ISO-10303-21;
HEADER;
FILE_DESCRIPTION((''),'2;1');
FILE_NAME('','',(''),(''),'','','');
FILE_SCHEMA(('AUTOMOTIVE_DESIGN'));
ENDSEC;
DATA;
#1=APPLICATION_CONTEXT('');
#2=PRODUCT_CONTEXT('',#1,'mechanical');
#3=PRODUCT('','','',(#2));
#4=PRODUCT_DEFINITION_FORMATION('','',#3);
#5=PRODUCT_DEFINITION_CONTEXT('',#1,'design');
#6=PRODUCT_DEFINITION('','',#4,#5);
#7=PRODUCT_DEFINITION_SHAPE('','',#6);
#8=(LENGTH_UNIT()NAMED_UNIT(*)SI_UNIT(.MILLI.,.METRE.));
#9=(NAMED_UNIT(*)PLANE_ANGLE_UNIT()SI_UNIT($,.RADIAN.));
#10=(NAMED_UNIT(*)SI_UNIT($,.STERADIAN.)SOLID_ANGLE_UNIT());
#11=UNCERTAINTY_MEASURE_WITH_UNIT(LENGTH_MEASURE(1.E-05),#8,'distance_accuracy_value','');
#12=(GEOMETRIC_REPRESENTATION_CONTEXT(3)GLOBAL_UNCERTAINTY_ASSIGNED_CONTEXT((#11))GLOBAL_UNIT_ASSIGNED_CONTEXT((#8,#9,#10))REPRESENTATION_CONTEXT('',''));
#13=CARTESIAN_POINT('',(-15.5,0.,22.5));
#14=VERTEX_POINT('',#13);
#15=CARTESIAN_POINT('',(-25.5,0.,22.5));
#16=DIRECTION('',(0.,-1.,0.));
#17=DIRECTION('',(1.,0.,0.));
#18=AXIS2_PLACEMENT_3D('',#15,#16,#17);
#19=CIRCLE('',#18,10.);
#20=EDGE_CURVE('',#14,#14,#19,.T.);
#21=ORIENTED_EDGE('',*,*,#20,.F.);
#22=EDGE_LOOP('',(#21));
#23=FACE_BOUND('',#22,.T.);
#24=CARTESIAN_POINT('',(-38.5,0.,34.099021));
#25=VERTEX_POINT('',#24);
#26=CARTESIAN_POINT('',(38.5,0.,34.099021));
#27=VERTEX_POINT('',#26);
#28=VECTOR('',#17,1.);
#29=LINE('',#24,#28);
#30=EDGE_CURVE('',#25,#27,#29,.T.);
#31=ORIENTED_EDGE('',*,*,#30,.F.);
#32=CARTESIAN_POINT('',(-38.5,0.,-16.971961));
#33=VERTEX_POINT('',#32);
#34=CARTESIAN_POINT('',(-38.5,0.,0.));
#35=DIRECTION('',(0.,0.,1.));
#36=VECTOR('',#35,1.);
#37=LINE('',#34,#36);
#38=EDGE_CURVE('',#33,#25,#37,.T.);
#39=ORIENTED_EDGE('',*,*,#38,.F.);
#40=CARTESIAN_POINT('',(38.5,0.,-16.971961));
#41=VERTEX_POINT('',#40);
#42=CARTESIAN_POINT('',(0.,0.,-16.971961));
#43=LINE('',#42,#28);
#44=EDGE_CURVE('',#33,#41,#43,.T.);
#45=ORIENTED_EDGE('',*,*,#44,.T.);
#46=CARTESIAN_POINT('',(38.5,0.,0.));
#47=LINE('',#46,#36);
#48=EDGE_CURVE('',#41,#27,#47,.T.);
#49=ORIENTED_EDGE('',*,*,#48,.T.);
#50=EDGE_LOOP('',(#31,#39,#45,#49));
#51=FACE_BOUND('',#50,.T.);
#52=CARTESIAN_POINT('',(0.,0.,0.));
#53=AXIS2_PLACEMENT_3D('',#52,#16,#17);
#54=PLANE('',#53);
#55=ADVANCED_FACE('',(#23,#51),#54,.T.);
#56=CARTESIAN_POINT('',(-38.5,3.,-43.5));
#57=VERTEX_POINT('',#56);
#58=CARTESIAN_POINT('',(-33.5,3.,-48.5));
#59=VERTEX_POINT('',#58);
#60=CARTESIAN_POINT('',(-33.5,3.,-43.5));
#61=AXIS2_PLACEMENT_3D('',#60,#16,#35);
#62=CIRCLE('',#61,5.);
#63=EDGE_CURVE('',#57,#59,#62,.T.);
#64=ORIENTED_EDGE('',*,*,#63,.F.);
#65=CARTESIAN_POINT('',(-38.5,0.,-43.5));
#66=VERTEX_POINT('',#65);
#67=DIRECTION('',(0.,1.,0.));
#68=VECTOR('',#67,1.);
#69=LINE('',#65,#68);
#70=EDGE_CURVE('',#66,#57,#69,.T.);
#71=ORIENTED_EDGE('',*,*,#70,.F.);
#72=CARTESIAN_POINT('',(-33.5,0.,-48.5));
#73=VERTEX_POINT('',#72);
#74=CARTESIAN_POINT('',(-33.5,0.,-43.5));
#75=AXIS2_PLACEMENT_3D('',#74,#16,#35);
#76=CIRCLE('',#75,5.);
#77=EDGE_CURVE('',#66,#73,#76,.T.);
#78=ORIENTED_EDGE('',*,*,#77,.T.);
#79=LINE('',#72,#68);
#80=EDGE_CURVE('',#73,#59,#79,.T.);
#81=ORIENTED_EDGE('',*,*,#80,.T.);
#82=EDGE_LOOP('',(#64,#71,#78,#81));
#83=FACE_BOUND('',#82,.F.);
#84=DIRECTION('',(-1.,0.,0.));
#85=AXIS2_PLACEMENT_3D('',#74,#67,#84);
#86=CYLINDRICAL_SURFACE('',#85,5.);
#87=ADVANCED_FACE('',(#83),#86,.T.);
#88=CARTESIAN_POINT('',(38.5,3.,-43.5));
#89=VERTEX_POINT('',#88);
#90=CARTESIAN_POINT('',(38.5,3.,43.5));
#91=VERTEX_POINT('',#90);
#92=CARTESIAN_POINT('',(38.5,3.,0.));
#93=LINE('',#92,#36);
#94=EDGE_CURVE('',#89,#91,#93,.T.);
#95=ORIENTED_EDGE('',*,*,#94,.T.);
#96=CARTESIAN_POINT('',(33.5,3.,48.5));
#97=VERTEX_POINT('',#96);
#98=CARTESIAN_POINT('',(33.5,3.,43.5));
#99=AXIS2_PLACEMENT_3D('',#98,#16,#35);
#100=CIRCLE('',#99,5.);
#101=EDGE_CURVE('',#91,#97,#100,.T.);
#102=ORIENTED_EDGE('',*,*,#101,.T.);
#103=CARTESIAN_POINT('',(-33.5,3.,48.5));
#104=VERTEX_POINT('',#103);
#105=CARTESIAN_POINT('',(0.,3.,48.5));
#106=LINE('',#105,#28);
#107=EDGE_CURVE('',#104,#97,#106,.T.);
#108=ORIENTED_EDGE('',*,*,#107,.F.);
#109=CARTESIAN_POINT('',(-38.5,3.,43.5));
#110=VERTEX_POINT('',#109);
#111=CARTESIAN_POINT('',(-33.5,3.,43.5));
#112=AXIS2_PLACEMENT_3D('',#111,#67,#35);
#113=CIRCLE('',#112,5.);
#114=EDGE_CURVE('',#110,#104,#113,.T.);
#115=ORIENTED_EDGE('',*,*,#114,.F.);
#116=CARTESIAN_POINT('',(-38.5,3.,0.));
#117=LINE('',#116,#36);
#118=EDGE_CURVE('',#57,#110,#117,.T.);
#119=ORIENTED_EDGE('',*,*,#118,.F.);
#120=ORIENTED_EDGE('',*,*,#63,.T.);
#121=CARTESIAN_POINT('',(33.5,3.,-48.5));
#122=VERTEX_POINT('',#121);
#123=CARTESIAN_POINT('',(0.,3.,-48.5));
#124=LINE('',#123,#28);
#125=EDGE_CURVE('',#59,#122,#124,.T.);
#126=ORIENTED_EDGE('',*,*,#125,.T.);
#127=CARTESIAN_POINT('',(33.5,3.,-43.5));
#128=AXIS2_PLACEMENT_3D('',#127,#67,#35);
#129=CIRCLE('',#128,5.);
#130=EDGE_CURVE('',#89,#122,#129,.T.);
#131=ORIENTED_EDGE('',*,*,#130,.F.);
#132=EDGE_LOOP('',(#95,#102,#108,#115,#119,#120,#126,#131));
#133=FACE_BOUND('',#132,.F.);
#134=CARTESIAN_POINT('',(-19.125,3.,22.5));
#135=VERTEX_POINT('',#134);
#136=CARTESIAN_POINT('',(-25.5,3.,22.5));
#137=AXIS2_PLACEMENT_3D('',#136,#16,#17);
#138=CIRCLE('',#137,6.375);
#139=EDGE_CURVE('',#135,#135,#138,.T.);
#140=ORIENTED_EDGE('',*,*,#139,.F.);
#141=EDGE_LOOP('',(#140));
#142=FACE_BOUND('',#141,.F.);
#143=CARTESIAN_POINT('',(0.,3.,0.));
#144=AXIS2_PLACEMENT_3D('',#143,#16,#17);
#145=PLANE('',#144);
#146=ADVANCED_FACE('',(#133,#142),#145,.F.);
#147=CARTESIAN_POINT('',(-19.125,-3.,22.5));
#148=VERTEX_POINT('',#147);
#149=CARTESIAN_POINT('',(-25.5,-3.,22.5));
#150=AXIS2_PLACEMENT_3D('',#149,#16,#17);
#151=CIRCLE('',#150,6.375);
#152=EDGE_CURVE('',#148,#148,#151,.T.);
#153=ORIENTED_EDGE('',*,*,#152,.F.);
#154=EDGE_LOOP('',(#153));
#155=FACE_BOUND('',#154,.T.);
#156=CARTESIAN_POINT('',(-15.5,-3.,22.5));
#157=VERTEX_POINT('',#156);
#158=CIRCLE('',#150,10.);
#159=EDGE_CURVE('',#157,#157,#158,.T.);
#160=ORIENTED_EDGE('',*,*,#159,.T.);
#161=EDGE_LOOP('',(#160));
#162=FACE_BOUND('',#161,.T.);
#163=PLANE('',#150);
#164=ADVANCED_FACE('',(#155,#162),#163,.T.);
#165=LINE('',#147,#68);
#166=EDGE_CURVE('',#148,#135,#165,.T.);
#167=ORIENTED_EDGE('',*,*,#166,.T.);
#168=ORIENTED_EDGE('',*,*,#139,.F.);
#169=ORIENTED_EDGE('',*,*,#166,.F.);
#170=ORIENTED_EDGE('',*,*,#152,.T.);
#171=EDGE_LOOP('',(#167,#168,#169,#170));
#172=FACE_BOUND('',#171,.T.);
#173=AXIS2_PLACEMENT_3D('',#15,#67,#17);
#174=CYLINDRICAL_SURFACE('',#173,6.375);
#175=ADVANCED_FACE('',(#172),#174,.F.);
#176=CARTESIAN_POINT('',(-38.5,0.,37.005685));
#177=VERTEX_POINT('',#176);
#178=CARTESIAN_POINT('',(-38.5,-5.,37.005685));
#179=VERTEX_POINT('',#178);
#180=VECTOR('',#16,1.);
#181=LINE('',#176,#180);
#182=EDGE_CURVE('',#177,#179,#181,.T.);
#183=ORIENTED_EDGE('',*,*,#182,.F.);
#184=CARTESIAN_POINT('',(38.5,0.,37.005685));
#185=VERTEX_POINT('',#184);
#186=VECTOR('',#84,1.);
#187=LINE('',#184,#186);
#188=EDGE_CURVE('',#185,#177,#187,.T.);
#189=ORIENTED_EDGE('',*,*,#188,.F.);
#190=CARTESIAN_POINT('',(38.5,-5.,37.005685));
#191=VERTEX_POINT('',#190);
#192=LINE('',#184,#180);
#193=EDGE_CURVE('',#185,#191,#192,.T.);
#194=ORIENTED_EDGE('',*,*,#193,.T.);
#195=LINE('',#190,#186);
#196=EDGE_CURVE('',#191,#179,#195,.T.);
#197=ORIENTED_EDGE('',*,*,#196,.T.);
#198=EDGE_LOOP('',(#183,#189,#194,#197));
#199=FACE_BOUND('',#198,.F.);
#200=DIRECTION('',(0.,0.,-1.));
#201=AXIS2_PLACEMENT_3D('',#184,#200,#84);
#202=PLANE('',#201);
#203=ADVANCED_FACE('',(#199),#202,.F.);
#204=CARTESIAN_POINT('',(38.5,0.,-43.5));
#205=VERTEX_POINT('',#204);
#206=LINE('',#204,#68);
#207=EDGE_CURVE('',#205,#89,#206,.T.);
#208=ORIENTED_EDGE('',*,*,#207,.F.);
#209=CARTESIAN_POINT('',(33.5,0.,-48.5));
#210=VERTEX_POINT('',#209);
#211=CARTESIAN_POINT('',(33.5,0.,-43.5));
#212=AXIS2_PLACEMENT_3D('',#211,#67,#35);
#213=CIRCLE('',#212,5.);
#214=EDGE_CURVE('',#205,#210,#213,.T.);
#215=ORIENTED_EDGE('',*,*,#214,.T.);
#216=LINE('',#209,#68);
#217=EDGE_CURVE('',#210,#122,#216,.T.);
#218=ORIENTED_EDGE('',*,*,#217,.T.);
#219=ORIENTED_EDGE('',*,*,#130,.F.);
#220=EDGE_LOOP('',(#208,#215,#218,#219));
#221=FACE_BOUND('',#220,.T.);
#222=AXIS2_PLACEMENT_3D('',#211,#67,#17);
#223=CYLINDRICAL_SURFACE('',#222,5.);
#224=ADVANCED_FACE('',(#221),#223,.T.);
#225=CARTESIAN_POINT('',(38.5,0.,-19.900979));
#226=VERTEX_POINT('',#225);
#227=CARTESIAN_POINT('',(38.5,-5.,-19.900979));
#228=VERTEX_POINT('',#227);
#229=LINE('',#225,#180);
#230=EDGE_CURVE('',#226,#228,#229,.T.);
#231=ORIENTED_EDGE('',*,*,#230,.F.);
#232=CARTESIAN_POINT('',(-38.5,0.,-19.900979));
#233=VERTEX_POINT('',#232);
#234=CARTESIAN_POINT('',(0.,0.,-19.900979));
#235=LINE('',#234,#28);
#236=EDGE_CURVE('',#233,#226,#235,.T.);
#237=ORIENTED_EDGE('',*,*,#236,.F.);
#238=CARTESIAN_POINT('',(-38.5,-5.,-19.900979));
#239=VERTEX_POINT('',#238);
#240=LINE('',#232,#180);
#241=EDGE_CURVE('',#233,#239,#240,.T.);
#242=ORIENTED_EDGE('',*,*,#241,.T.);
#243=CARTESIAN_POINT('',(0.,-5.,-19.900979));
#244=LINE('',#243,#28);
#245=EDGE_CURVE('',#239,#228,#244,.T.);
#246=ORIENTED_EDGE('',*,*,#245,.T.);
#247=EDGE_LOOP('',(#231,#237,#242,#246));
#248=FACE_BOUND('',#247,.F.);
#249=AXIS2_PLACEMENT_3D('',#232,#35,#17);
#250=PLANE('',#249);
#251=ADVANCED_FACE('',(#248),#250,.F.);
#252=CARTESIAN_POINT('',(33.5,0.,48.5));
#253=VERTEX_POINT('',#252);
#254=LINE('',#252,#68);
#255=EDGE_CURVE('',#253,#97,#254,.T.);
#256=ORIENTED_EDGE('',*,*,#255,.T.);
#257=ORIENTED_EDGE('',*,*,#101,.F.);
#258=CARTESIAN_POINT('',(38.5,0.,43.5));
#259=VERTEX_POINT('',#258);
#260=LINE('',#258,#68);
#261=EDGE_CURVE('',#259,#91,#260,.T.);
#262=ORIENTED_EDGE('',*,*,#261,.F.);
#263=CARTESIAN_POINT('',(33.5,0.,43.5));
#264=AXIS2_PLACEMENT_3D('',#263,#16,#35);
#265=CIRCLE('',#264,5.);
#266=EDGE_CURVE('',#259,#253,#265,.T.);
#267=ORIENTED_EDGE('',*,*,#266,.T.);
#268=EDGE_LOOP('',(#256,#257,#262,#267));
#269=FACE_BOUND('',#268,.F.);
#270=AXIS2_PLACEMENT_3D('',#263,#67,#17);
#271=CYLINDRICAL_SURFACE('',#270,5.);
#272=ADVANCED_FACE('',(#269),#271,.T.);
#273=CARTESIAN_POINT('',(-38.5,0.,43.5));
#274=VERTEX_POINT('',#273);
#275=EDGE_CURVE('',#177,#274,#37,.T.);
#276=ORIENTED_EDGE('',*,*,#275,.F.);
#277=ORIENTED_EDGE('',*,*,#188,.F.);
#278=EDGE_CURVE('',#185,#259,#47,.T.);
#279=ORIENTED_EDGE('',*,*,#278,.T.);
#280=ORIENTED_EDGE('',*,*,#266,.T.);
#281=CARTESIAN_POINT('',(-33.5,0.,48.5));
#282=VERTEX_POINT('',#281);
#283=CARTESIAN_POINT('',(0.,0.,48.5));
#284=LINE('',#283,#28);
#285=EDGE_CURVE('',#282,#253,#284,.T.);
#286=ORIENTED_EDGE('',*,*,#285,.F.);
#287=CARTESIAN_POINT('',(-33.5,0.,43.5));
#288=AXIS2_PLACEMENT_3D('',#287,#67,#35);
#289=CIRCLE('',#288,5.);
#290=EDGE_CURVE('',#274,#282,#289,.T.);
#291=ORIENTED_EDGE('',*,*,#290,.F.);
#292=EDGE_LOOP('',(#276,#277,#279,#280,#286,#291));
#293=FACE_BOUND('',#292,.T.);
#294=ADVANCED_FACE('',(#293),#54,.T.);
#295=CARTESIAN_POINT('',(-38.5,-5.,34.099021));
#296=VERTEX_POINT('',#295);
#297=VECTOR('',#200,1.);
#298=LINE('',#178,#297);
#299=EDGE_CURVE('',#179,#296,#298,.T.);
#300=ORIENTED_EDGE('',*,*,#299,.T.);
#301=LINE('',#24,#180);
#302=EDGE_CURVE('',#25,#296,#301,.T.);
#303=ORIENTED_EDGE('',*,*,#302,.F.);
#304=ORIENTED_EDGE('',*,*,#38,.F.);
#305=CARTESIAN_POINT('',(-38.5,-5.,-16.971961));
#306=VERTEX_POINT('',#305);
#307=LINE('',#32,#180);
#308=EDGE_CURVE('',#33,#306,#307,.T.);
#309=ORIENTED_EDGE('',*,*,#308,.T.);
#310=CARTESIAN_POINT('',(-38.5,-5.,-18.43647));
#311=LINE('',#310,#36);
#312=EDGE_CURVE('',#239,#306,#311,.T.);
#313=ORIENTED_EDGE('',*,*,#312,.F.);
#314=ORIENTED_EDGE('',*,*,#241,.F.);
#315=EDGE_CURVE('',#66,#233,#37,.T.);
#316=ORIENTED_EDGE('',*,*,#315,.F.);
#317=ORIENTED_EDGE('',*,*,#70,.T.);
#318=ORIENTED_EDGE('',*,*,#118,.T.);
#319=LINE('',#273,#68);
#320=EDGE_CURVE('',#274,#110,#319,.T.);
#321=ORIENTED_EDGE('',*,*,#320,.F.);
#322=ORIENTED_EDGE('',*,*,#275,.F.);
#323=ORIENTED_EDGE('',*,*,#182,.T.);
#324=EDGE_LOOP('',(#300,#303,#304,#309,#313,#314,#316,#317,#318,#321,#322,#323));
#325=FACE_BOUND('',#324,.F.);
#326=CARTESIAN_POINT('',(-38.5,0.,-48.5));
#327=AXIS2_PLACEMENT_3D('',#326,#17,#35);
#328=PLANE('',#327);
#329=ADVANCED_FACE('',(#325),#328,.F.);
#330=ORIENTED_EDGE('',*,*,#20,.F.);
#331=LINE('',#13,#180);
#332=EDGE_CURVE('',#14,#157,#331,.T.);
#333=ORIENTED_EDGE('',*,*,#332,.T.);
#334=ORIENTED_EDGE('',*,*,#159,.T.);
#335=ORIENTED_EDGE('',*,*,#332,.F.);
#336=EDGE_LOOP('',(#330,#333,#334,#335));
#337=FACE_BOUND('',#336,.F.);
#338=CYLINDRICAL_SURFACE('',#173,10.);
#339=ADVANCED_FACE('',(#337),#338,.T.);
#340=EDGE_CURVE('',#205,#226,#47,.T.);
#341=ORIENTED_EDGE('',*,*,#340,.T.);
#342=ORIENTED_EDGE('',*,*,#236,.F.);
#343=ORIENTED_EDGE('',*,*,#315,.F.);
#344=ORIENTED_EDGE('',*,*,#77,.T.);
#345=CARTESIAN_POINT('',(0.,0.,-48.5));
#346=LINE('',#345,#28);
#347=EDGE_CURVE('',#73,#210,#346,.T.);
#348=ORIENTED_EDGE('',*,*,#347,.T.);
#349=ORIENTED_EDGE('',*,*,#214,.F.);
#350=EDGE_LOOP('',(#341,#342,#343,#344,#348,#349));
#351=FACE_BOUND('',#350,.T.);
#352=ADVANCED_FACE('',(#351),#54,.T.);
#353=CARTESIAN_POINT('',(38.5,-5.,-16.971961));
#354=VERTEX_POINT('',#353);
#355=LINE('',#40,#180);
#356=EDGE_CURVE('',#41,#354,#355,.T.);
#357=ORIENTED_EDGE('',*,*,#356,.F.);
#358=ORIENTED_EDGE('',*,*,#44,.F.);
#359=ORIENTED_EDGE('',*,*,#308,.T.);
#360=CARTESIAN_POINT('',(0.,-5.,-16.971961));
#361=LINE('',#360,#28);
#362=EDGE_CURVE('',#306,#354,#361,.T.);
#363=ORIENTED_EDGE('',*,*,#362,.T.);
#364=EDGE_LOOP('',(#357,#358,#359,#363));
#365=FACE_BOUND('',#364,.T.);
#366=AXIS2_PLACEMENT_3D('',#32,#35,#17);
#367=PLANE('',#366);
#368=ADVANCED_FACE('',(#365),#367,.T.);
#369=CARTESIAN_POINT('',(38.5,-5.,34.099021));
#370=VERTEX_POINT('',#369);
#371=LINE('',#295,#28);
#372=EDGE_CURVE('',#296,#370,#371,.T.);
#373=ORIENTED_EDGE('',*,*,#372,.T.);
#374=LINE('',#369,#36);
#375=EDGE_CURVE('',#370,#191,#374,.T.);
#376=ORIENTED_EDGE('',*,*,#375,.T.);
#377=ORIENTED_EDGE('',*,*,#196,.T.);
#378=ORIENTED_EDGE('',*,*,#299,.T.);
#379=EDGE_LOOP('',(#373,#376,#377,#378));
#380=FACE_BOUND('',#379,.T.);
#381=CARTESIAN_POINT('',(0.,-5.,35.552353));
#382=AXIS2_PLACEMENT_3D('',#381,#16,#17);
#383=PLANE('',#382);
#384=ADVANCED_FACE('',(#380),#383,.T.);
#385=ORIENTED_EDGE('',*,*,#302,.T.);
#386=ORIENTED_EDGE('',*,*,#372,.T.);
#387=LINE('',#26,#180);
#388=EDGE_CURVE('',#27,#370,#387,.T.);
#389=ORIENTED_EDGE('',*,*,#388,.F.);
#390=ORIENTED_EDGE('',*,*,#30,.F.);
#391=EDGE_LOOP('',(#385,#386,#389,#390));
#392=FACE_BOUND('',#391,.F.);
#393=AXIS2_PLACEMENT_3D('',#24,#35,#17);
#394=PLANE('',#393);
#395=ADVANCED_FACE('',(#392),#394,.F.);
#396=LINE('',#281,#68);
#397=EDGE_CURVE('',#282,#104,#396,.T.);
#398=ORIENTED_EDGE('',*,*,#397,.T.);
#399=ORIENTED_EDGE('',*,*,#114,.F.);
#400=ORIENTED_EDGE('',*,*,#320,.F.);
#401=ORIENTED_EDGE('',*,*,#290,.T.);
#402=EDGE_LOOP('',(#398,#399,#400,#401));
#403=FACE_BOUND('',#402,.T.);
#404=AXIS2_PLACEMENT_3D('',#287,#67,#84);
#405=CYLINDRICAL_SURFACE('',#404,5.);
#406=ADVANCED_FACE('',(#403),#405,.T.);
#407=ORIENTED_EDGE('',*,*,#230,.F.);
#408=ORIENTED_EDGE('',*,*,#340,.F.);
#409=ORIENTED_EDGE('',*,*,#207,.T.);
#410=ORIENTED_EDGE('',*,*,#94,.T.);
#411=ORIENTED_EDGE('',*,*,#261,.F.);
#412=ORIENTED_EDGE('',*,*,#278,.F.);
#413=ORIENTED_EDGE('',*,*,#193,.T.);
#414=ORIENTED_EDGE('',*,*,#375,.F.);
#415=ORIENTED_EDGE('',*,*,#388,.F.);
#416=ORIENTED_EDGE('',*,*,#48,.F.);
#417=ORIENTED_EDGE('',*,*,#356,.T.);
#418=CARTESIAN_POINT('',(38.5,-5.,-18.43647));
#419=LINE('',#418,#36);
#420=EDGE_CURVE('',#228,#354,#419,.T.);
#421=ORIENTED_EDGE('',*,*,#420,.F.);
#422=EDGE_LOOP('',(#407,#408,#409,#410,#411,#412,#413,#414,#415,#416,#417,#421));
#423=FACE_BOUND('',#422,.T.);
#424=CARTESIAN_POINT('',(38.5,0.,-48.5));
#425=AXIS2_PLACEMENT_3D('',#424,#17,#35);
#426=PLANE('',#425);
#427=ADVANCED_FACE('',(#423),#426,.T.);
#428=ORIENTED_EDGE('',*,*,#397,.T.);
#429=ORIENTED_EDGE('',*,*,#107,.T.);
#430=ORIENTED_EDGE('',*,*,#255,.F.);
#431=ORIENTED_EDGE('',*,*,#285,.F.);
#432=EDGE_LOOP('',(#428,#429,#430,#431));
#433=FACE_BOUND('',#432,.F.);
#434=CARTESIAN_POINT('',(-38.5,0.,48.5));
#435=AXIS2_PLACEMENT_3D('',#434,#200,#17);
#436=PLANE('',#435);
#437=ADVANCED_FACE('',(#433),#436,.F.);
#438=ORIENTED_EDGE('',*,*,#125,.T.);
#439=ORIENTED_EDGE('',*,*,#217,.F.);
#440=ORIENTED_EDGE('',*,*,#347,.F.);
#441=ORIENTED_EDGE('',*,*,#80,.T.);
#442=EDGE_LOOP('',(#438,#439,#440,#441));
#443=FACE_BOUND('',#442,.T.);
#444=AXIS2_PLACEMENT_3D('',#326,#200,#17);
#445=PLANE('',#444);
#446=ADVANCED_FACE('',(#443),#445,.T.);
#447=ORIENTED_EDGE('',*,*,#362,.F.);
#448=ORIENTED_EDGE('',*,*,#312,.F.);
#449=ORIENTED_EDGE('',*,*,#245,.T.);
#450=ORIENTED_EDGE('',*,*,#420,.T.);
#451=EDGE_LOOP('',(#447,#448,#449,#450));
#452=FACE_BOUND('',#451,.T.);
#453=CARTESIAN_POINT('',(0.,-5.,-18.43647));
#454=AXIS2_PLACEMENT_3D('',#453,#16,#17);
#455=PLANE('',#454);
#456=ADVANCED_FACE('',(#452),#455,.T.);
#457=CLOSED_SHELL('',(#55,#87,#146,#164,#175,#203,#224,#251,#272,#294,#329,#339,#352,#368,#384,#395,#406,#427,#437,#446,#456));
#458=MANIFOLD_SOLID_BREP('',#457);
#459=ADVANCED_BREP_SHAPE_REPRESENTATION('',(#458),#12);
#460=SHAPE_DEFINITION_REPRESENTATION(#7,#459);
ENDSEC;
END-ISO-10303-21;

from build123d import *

# Parameters (mm, degrees)
F0_W     = 77
F0_H     = 97
F0_R     = 6.375
F1_DEPTH = 3
F2_R     = 10
F2_R_2   = 6.375
F3_DEPTH = 3
F4_W     = 77
F4_H     = 2.929018
F5_DEPTH = 5
F6_R     = 5


with BuildPart() as f1:
    # F0 (on Front) → F1 (new body)
    with BuildSketch(Plane.XZ):
        Rectangle(F0_W, F0_H)
        with Locations((-25.5, 22.5)):
            Circle(F0_R, mode=Mode.SUBTRACT)
    extrude(amount=-F1_DEPTH)

    # F2 (on face) → F3 (join)
    with BuildSketch(Plane.XZ):
        with Locations((-25.5, 22.5)):
            Circle(F2_R)
        with Locations((-25.5, 22.5)):
            Circle(F2_R_2, mode=Mode.SUBTRACT)
    extrude(amount=F3_DEPTH)

    # F4 (on face) → F5 (join)
    with BuildSketch(Plane.XZ):
        Polygon((-38.5, 37.005685), (-38.5, 35.700995), (-38.5, 34.099021), (38.5, 34.099021), (38.5, 35.700995), (38.5, 37.005685), align=None)
        with Locations((0, -18.43647)):
            Rectangle(F4_W, F4_H)
    extrude(amount=F5_DEPTH)

    # F6
    f6_edges = [f1.edges().sort_by_distance(p)[0] for p in [
        (38.5, 1.5, 48.5),
        (-38.5, 1.5, 48.5),
        (38.5, 1.5, -48.5),
        (-38.5, 1.5, -48.5),
    ]]
    fillet(f6_edges, radius=F6_R)


solid = f1.part
